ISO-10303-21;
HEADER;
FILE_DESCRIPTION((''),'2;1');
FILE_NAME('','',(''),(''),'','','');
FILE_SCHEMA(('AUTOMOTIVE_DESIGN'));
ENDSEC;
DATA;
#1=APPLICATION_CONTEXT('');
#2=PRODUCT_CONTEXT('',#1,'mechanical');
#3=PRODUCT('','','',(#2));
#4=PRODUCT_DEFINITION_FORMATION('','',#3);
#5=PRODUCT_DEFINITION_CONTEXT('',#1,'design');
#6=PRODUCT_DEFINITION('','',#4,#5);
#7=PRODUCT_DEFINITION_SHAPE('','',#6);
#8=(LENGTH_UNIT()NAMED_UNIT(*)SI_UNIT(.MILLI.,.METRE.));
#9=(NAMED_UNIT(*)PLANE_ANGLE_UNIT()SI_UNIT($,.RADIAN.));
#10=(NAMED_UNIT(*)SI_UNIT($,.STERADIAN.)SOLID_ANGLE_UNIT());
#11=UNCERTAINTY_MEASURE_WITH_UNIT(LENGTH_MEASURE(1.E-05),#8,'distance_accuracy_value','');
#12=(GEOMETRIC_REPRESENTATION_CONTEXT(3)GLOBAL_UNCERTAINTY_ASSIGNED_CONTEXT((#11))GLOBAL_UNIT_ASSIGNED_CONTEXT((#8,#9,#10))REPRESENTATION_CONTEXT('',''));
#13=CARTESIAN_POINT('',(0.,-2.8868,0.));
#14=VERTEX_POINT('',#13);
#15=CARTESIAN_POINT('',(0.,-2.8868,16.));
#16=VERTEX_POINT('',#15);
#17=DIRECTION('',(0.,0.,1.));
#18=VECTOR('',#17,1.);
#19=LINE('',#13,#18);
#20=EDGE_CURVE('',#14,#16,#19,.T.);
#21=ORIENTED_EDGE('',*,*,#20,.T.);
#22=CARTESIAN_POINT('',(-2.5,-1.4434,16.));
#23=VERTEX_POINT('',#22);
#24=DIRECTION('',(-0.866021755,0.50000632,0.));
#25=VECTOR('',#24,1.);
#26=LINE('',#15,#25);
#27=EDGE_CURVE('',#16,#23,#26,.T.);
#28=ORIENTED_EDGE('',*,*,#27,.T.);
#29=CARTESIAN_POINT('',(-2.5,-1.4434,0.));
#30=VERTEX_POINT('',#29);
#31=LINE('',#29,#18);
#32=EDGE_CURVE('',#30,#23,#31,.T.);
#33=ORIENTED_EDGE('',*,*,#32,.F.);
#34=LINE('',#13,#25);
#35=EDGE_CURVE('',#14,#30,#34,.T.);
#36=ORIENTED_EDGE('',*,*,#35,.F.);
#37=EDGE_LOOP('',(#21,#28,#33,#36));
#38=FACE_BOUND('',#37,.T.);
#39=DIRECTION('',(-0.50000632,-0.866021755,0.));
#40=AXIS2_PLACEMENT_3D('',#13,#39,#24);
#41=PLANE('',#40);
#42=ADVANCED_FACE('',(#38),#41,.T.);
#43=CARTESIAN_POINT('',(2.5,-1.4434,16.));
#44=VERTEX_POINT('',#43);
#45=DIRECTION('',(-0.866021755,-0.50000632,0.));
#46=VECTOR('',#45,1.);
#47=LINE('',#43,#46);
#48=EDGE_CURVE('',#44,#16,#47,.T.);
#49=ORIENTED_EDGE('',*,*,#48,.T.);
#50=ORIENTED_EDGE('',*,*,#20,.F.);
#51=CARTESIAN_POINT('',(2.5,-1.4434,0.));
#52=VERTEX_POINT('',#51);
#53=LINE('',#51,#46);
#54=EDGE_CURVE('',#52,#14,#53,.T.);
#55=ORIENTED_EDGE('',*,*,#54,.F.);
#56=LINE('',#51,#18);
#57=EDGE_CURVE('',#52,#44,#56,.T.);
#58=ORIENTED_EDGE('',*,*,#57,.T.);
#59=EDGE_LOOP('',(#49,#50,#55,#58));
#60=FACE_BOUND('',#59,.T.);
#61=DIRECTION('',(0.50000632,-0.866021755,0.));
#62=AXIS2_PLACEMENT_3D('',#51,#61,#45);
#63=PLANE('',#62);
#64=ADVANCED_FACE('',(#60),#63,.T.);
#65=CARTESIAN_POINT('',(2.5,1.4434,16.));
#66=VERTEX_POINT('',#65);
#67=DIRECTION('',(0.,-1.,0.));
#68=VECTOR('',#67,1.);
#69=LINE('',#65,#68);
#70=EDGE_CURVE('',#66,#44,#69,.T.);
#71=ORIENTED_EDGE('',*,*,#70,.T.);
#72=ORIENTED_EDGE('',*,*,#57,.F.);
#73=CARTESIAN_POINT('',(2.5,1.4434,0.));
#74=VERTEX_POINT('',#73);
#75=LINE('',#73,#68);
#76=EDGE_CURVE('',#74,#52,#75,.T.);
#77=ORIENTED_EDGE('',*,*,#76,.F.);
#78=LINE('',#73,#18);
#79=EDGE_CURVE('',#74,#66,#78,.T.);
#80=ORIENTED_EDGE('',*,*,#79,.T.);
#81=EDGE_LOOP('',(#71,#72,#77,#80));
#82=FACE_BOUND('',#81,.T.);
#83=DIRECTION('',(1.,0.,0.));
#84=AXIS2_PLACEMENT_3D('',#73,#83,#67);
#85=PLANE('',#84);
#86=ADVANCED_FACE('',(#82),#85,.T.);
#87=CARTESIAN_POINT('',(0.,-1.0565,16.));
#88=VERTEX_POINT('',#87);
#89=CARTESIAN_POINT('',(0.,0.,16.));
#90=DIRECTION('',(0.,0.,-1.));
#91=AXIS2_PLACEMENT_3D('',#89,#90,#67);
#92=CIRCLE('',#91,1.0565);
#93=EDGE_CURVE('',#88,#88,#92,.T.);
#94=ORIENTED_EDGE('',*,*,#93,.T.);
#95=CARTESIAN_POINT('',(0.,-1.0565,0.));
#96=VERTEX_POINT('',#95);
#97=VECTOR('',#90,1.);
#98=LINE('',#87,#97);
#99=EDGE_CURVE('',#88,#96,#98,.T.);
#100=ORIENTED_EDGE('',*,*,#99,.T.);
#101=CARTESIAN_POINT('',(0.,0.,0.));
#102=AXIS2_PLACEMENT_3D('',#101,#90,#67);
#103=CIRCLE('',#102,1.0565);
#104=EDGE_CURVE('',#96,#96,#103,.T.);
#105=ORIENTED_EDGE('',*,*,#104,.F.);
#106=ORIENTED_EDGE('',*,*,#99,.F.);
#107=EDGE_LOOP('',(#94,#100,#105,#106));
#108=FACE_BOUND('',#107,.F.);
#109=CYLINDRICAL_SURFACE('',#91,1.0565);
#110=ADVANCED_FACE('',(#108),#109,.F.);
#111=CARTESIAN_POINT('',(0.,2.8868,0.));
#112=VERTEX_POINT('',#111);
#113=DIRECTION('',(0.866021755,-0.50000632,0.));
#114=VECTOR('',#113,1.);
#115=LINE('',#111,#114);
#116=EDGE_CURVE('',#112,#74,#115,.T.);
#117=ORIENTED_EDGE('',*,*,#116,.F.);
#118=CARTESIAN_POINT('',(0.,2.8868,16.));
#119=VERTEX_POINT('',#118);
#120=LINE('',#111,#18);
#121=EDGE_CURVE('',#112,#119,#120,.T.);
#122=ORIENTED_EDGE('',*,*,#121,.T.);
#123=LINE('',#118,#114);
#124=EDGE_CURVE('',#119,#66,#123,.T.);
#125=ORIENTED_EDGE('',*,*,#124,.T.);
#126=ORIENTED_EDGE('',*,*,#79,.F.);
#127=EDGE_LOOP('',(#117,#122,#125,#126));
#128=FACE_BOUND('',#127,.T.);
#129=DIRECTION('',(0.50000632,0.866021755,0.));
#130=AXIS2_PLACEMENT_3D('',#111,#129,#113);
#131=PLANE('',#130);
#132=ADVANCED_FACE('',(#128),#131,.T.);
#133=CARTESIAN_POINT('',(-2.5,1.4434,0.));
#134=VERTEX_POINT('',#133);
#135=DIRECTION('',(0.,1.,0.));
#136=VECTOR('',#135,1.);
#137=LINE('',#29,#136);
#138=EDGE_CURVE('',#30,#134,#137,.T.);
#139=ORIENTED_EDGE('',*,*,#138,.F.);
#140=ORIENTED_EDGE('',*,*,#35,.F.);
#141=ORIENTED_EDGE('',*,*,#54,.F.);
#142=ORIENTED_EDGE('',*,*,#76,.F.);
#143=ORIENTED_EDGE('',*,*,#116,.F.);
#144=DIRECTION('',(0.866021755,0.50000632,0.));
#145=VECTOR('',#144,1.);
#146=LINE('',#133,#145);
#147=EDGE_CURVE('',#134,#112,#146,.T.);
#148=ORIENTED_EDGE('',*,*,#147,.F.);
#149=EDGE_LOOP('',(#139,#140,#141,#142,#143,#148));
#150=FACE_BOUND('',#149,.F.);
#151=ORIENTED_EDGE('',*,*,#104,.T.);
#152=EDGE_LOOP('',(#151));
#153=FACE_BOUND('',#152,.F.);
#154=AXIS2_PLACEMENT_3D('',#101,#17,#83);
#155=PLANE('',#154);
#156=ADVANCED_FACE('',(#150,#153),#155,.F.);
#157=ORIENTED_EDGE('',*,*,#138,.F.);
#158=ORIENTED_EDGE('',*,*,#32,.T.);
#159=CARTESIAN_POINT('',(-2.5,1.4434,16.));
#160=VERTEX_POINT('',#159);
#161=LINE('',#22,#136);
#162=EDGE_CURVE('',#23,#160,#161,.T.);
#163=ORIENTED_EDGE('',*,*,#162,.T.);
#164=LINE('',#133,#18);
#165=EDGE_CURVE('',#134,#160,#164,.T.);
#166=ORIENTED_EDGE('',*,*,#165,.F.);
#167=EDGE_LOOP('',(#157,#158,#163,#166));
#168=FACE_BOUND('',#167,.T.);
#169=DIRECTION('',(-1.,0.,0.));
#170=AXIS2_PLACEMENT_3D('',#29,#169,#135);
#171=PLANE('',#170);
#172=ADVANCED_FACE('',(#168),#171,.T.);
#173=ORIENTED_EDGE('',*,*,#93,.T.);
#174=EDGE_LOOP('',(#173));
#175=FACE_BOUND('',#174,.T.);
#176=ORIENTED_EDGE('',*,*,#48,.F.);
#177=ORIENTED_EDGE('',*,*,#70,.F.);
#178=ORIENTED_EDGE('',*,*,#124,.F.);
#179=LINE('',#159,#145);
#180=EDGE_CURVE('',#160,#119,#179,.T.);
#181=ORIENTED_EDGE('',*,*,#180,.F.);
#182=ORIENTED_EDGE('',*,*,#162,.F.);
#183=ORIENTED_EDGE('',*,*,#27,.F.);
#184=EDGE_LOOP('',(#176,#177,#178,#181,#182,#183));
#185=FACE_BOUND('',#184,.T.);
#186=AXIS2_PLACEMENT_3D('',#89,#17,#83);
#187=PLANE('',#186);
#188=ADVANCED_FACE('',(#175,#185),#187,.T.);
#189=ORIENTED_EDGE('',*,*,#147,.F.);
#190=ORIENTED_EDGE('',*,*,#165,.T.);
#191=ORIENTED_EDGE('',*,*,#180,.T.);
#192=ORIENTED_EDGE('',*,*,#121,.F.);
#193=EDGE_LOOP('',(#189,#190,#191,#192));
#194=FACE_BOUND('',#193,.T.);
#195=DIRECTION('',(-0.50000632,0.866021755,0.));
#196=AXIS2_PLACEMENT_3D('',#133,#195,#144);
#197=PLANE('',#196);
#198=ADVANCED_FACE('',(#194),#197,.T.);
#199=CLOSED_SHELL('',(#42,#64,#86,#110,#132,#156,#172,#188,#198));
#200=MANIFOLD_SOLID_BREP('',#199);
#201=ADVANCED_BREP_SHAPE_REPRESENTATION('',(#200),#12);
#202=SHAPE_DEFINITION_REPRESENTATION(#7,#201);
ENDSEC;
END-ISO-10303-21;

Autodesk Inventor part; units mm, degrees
ref_plane "YZ Plane" through (0, 0, 0) normal (1, 0, 0) x (0, 1, 0)
ref_plane "XZ Plane" through (0, 0, 0) normal (0, 1, 0) x (-1, 0, 0)
ref_plane "XY Plane" through (0, 0, 0) normal (0, 0, 1) x (1, 0, 0)
sketch "スケッチ1" plane through (0, 0, 0) normal (0, 0, 1) x (1, 0, 0)
  line L0 (0, 2.8868) -> (2.5, 1.4434)
  line L1 (2.5, 1.4434) -> (2.5, -1.4434)
  line L2 (2.5, -1.4434) -> (0, -2.8868)
  line L3 (0, -2.8868) -> (-2.5, -1.4434)
  line L4 (-2.5, -1.4434) -> (-2.5, 1.4434)
  line L5 (-2.5, 1.4434) -> (0, 2.8868)
  point P0 (0, 0)
  point P1 (0, 0)
  dimension "d0" = 5
extrude "押し出し1" add sketch "スケッチ1" along normal blind 16
sketch "スケッチ2" plane through (0, 0, 16) normal (0, 0, 1) x (1, 0, 0)
  point P0 (0, 0)
hole "穴1" at (0, 0, 16) direction (0, 0, -1) diameter 2.113 end through all thread size "M2.6x0.45" class "6H" standard "ISO Metric profile"
properties part number "ジュラコンスペーサー（六角）_AS-2616" material "アセタール樹脂、白"
